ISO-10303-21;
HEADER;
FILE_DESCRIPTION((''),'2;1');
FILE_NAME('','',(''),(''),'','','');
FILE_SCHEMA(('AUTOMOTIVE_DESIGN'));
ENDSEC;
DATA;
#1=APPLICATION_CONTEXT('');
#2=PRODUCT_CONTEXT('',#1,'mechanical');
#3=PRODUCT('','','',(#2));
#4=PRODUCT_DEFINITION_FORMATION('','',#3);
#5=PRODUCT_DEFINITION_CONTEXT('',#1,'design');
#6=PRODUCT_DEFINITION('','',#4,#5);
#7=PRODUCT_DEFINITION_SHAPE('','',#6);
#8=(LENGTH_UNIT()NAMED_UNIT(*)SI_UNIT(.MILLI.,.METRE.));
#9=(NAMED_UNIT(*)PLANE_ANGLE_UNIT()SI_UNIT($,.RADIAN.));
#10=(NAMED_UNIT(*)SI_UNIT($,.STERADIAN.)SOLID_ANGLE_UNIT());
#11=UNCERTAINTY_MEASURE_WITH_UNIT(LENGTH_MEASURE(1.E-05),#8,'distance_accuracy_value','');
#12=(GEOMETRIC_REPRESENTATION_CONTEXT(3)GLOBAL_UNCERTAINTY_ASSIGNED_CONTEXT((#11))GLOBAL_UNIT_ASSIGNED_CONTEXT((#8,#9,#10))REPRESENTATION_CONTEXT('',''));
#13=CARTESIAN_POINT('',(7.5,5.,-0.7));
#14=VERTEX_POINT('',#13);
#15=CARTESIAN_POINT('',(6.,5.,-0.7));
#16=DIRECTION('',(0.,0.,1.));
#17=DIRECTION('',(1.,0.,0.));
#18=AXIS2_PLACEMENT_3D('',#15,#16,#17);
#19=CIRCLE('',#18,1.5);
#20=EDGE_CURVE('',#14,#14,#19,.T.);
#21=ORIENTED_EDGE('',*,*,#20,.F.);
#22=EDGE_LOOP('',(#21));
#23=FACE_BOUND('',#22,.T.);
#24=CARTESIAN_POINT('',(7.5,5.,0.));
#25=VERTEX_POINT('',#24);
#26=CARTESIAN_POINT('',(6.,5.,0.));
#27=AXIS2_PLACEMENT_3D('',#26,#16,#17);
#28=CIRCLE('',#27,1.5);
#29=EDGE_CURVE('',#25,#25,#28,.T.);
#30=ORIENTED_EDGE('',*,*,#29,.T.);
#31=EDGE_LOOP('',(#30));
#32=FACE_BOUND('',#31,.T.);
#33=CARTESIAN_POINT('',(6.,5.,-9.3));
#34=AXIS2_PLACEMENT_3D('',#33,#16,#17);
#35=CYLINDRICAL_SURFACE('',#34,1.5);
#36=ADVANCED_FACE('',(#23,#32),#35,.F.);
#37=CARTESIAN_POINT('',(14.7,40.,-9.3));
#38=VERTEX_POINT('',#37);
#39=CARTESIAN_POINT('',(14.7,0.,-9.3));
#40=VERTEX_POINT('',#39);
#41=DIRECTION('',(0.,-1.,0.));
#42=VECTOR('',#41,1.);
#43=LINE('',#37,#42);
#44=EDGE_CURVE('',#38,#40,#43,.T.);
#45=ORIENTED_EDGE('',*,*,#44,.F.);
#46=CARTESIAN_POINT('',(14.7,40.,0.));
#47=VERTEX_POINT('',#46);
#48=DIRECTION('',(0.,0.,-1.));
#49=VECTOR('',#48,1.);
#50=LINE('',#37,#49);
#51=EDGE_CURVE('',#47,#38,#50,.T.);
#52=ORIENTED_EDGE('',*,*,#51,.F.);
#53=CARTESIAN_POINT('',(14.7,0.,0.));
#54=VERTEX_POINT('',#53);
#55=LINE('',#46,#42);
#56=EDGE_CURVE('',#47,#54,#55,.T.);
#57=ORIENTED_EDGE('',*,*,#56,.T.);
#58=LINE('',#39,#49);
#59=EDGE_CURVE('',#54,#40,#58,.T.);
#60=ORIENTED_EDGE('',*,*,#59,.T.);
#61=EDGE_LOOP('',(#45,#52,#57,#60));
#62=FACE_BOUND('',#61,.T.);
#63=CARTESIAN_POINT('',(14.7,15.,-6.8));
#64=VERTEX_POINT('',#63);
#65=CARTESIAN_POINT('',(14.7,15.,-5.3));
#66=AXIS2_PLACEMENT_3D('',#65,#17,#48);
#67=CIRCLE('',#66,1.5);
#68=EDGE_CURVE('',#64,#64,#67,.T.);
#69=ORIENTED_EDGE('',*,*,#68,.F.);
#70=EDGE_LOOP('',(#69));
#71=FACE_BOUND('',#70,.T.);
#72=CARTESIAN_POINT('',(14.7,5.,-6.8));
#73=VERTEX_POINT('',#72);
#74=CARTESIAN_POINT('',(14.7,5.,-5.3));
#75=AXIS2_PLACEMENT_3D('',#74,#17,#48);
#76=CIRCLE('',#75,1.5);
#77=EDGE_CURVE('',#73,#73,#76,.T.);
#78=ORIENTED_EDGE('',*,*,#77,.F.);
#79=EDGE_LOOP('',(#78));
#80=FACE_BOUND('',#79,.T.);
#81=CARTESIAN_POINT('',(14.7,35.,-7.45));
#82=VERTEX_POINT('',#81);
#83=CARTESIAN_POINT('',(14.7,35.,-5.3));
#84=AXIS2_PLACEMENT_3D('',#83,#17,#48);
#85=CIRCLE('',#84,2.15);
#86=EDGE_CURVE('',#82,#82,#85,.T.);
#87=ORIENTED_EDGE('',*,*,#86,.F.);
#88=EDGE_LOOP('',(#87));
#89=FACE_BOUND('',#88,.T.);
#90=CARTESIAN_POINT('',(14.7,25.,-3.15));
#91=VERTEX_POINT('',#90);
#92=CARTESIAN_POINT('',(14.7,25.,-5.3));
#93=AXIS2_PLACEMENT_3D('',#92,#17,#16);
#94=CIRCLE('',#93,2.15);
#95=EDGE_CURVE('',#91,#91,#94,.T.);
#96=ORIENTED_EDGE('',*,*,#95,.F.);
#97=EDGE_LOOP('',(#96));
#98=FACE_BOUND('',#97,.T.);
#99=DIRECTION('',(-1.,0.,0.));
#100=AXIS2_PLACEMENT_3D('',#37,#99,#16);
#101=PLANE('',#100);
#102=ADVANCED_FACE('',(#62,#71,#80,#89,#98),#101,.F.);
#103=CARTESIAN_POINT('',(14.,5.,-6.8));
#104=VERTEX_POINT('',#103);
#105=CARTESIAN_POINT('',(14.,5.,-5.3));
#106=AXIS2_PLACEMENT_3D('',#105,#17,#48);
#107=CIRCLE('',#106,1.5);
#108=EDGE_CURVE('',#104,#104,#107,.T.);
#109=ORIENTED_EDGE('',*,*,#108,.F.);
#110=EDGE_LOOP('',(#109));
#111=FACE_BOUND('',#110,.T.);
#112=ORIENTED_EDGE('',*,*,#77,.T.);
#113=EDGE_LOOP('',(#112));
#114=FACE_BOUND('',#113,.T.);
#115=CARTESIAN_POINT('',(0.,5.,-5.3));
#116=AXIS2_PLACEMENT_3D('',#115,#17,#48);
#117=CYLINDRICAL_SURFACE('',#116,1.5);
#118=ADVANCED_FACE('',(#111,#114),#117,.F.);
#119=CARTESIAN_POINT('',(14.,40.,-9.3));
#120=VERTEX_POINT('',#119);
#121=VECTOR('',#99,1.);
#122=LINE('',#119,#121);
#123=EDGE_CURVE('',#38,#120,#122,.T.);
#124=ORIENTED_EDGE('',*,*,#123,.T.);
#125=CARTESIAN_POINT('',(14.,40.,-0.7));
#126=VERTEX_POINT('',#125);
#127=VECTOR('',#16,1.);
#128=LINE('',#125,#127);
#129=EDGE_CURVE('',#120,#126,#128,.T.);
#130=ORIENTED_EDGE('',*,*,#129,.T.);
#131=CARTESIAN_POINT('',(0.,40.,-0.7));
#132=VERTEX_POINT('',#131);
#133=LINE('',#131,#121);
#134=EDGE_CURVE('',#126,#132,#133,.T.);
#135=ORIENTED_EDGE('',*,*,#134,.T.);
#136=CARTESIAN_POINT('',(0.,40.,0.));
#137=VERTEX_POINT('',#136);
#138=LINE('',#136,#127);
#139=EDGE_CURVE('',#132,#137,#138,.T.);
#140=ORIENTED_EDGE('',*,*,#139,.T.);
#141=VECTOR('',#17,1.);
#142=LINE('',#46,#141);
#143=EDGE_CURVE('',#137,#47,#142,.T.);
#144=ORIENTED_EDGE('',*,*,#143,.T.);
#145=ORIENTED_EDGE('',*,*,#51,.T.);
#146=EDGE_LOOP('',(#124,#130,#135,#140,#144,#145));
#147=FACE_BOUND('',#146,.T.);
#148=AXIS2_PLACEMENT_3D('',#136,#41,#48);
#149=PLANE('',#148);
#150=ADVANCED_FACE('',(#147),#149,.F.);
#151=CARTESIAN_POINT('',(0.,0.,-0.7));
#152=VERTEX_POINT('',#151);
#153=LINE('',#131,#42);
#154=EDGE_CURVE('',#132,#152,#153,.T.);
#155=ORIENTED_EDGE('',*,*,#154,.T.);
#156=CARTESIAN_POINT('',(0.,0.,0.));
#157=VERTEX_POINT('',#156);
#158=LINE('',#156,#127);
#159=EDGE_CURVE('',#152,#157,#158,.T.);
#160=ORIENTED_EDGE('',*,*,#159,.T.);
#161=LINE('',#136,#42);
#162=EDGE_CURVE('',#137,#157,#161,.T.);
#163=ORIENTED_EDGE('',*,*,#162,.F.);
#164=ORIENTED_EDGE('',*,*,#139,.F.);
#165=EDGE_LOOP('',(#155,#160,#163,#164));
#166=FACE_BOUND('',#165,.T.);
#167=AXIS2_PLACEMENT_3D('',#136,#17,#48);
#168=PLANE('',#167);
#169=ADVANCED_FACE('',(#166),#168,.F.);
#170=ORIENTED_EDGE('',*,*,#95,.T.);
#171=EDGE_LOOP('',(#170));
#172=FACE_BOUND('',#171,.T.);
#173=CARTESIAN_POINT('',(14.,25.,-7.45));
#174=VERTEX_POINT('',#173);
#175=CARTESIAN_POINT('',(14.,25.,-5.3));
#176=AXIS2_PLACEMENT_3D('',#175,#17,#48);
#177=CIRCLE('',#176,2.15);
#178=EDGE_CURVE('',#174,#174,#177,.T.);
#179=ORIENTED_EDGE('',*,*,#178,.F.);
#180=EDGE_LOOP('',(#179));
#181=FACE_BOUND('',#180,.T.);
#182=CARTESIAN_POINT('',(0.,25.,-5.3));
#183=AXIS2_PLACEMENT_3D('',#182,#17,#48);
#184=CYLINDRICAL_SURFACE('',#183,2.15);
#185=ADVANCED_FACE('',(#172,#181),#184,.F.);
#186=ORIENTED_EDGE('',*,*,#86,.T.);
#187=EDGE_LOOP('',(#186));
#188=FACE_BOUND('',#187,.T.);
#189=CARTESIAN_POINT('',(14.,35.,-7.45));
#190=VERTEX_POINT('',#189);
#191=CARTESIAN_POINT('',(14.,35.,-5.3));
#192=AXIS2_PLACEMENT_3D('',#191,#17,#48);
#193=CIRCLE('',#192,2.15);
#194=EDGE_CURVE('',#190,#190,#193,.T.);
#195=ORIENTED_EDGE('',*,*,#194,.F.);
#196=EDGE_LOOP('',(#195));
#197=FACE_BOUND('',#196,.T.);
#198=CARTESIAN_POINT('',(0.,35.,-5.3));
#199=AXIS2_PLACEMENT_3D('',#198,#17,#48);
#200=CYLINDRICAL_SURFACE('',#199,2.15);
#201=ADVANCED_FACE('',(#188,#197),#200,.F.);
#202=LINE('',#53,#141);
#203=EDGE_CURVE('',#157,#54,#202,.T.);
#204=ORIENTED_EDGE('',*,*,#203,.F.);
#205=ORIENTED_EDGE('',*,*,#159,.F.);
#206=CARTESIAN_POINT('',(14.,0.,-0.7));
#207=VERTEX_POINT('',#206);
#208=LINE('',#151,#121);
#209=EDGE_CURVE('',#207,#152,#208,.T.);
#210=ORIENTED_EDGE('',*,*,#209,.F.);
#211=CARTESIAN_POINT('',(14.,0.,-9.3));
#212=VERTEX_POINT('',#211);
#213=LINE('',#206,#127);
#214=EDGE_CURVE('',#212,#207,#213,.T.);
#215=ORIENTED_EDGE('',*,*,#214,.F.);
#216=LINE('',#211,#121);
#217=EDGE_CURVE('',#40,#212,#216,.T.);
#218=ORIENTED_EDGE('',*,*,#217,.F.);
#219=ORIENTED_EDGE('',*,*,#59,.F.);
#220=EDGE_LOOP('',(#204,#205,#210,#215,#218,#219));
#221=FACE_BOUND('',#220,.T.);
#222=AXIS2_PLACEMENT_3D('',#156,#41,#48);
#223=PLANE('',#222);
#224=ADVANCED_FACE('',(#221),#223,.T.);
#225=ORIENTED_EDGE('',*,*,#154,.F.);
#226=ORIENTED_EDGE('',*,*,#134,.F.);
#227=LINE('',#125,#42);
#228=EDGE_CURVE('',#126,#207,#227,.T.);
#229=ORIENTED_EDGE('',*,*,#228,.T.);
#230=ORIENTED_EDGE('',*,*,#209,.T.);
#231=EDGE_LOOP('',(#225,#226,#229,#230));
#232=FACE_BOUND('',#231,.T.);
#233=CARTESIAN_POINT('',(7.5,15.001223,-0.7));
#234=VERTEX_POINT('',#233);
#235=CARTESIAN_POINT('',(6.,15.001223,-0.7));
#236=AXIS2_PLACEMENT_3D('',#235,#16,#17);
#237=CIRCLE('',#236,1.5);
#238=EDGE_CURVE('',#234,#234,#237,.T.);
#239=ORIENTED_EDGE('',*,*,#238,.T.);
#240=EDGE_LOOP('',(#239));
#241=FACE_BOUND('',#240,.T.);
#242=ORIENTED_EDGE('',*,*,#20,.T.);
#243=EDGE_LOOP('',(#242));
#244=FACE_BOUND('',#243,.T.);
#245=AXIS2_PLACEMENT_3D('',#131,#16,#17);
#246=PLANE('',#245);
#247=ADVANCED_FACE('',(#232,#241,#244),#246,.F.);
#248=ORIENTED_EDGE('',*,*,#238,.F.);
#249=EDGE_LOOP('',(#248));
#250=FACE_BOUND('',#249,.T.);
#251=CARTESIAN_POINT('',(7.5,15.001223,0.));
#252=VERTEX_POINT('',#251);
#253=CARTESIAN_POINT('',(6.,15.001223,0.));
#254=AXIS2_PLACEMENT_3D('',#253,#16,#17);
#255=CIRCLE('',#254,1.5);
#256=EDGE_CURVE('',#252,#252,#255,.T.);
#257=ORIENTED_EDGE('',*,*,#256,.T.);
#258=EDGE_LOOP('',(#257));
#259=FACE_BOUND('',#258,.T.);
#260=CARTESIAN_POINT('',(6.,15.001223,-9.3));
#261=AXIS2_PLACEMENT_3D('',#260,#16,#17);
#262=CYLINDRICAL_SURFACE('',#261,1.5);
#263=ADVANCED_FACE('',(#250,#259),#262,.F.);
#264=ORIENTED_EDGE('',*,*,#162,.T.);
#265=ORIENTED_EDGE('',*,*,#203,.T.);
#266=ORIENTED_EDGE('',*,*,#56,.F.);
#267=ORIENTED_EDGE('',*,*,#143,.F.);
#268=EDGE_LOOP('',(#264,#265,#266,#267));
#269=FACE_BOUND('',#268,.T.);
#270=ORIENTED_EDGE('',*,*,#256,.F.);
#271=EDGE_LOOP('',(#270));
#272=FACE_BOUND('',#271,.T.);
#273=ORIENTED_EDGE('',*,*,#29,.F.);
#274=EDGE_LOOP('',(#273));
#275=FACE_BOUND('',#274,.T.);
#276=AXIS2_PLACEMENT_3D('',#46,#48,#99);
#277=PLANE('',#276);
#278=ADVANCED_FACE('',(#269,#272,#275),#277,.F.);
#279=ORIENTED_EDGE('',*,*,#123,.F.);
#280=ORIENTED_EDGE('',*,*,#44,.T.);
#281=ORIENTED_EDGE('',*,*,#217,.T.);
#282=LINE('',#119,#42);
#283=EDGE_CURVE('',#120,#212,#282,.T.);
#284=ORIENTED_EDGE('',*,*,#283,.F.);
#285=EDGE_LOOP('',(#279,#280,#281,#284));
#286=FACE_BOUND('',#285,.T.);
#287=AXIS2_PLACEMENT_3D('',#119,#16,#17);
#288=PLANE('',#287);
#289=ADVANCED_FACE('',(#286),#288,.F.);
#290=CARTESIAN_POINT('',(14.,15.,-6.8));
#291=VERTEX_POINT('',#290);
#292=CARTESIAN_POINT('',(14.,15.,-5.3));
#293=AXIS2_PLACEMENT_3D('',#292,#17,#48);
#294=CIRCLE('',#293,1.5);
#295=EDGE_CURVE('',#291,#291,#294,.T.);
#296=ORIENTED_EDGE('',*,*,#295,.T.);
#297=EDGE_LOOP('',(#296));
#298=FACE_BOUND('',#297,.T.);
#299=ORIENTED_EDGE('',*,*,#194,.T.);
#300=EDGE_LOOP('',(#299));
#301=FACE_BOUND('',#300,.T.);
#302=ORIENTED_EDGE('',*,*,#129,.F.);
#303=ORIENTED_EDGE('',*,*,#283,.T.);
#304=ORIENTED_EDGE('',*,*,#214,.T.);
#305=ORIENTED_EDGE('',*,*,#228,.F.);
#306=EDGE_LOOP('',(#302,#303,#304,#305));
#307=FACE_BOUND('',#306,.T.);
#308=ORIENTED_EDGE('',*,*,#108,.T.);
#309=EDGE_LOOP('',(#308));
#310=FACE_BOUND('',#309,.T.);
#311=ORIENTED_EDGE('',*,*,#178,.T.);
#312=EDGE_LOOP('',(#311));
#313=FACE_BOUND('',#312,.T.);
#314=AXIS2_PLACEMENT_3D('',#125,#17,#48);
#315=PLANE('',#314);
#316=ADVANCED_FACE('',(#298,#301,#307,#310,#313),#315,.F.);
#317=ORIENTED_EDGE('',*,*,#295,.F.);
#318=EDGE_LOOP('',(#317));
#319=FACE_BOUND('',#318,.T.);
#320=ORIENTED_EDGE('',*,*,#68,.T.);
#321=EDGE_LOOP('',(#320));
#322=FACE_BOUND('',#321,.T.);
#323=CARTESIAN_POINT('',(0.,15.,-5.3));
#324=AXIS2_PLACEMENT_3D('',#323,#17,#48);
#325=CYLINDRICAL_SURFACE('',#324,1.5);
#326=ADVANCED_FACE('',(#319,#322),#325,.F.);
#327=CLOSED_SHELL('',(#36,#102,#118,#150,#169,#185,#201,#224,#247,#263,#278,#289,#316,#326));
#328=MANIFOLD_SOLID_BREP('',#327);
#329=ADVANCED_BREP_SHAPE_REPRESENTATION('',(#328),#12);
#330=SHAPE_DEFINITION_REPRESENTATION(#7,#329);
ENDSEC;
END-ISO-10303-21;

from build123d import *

# Parameters (mm, degrees)
BOSS_EXTRUDE1_DEPTH = 40
SKETCH2_R           = 2.15
SKETCH2_R_2         = 1.5
CUT_EXTRUDE1_DEPTH  = 44.618574025
SKETCH3_R           = 1.5
CUT_EXTRUDE2_DEPTH  = 44.618574025


with BuildPart() as part:
    # Sketch1 → Boss-Extrude1 (new body)
    with BuildSketch(Plane(origin=(0, 0, 0), x_dir=(1, 0, 0), z_dir=(0, 1, 0))):
        Polygon((0, 0), (0, 0.7), (14, 0.7), (14, 9.3), (14.7, 9.3), (14.7, 0), align=None)
    extrude(amount=BOSS_EXTRUDE1_DEPTH)

    # Sketch2 → Cut-Extrude1 (cut, through all)
    with BuildSketch(Plane(origin=(14.7, 0, 0), x_dir=(0, 0, -1), z_dir=(1, 0, 0))):
        with Locations((5.3, 35)):
            Circle(SKETCH2_R)
        with Locations((5.3, 25)):
            Circle(SKETCH2_R)
        with Locations((5.3, 15)):
            Circle(SKETCH2_R_2)
        with Locations((5.3, 5)):
            Circle(SKETCH2_R_2)
    extrude(amount=-CUT_EXTRUDE1_DEPTH, mode=Mode.SUBTRACT)

    # Sketch3 → Cut-Extrude2 (cut, through all)
    with BuildSketch(Plane.XY):
        with Locations((6, 15.001223109)):
            Circle(SKETCH3_R)
        with Locations((6, 5)):
            Circle(SKETCH3_R)
    extrude(amount=-CUT_EXTRUDE2_DEPTH, mode=Mode.SUBTRACT)


solid = part.part
